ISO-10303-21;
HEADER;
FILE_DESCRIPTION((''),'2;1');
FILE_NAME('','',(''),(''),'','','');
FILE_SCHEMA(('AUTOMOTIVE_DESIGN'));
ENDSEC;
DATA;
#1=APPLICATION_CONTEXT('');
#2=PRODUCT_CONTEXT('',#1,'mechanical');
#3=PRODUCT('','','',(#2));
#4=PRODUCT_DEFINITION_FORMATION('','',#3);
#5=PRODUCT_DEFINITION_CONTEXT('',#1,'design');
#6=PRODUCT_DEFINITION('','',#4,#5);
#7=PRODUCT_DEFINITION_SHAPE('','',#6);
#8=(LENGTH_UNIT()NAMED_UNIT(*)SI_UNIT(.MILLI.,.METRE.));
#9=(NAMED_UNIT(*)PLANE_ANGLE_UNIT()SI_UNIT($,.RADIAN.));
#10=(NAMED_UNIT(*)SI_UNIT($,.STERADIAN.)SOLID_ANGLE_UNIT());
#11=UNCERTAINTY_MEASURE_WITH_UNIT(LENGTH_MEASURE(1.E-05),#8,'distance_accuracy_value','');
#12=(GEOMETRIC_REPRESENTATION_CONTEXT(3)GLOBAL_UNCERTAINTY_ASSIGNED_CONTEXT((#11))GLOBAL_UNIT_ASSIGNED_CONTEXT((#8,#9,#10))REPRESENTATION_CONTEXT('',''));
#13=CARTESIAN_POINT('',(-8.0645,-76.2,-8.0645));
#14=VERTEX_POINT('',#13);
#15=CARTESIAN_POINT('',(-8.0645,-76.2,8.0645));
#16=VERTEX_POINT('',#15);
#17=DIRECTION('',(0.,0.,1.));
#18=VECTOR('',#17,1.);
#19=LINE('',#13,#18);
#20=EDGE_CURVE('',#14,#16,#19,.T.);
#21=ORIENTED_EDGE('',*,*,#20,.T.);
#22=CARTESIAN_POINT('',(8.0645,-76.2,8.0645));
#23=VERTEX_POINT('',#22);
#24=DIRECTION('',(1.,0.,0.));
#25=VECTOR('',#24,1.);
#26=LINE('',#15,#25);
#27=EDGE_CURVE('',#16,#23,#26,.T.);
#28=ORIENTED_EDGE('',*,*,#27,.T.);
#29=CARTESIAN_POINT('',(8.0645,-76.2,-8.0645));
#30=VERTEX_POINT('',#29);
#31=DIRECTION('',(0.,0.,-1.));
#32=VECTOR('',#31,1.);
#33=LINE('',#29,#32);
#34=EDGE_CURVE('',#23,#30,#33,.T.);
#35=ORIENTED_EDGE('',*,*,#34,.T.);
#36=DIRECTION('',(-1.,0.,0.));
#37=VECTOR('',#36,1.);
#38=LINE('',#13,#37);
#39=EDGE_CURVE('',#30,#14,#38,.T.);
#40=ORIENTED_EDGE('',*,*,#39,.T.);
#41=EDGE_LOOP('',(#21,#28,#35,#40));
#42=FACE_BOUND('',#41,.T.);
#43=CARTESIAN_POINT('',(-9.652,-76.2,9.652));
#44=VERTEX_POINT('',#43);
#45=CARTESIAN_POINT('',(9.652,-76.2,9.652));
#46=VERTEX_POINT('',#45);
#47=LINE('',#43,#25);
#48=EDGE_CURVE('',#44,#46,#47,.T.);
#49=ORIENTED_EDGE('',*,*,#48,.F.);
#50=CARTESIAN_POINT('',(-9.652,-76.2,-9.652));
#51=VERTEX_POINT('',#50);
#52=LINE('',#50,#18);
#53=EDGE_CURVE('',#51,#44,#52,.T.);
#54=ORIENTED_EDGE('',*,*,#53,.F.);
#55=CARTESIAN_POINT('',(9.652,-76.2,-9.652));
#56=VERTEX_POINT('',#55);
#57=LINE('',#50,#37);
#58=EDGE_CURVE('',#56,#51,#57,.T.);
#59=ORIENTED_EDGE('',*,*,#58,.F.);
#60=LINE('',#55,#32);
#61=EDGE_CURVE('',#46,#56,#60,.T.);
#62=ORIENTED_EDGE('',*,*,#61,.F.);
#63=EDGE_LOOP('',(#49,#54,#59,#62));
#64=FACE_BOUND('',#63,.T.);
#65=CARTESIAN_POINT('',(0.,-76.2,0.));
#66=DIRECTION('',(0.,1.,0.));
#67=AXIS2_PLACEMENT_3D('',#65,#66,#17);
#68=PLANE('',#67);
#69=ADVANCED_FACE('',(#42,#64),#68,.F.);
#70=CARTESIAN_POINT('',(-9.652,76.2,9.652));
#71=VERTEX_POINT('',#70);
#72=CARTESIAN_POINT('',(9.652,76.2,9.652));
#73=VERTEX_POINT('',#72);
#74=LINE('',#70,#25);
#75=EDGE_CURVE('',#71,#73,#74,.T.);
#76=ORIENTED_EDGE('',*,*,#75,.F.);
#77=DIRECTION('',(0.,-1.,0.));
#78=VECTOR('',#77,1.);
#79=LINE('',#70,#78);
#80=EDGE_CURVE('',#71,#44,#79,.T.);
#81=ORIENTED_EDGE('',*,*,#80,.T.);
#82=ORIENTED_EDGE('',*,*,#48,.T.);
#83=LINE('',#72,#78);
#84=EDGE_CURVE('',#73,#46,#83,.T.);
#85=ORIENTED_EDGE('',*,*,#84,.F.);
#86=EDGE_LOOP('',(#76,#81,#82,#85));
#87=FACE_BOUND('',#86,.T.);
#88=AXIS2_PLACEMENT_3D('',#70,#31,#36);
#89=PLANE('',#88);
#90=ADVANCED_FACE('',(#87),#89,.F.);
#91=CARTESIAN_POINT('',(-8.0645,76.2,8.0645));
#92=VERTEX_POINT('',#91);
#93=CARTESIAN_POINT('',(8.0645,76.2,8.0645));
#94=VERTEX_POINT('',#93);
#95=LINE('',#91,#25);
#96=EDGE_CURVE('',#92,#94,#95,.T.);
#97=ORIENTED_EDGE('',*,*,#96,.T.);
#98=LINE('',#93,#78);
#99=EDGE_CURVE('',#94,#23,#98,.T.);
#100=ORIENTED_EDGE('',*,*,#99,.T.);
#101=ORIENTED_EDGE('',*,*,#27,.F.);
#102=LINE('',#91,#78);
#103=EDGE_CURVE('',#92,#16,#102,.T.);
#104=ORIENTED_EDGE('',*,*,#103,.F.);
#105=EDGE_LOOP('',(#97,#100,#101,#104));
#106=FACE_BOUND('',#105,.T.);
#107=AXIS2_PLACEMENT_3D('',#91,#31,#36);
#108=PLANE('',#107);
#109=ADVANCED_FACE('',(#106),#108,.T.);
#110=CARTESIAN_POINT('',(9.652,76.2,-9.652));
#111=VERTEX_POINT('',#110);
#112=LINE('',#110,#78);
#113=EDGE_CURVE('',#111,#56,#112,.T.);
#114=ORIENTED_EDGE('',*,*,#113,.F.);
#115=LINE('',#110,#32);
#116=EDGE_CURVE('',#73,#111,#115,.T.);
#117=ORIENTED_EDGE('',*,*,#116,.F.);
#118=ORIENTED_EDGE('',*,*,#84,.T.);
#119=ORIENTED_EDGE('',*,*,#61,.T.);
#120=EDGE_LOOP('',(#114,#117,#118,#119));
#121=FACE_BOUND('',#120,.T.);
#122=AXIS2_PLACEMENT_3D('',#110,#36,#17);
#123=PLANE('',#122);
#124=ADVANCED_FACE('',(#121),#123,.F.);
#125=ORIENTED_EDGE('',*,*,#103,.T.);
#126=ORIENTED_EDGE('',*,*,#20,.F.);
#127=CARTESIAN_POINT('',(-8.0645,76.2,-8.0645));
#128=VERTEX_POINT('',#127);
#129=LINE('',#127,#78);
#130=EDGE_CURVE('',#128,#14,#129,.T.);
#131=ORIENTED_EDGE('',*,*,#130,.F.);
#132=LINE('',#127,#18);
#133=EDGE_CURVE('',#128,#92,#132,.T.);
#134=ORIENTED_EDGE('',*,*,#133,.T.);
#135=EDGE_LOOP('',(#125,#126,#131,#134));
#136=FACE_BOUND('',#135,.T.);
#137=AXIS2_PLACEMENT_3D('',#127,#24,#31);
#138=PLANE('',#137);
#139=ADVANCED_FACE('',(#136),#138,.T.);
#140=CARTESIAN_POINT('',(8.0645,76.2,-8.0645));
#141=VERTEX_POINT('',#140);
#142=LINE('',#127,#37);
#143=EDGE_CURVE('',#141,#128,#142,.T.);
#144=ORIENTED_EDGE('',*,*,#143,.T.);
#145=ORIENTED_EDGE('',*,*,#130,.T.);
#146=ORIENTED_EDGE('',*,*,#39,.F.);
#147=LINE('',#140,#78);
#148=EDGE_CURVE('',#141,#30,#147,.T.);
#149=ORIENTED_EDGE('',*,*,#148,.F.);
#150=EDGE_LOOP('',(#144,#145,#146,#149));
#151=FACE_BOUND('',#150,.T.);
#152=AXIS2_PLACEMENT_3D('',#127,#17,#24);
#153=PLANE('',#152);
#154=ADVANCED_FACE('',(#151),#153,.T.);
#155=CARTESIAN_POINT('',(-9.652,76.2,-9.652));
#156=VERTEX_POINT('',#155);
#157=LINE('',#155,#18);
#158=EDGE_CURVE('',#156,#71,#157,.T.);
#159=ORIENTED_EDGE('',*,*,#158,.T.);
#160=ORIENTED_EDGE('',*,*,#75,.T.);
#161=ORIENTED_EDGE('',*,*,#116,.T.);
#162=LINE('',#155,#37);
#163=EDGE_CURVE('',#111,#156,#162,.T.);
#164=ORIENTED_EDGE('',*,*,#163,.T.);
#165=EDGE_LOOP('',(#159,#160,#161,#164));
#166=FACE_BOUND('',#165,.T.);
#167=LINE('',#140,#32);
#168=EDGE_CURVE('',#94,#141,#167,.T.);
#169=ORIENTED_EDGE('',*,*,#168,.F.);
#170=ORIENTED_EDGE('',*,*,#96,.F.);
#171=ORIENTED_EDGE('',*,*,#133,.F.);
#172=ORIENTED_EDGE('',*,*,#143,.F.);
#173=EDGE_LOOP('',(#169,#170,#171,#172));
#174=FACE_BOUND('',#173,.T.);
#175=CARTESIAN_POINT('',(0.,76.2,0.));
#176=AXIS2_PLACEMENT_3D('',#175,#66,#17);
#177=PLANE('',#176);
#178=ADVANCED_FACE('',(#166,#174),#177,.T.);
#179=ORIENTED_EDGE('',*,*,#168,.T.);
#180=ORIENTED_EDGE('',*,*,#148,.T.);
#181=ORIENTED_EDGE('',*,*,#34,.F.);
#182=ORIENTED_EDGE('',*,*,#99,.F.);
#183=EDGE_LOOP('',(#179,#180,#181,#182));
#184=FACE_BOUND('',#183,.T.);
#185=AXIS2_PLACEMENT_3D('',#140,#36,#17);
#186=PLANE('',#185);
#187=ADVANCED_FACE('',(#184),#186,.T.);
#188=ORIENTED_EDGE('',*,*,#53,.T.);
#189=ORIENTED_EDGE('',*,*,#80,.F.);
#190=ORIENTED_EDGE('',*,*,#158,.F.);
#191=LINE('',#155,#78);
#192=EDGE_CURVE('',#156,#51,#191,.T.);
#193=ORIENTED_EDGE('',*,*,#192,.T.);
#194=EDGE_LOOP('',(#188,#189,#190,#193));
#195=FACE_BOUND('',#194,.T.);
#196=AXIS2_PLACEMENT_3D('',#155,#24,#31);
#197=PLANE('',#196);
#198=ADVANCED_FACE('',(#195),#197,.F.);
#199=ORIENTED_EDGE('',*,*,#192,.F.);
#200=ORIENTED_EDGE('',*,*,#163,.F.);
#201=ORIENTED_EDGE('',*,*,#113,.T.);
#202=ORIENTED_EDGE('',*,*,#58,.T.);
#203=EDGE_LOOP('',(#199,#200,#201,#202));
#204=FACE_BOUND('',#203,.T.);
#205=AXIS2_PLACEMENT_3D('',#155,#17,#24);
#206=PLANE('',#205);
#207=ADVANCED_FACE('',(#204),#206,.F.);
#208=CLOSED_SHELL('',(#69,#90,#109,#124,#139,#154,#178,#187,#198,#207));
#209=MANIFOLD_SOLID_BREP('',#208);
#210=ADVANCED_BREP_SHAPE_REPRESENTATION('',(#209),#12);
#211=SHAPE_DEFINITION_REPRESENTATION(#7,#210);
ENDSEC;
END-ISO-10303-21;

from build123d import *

# Parameters (mm, degrees)
SKETCH1_W           = 19.304
SKETCH1_H           = 19.304
SKETCH1_W_2         = 16.129
SKETCH1_H_2         = 16.129
BOSS_EXTRUDE1_DEPTH = 76.2


with BuildPart() as part:
    # Sketch1 → Boss-Extrude1 (new, symmetric)
    with BuildSketch(Plane(origin=(0, 0, 0), x_dir=(1, 0, 0), z_dir=(0, 1, 0))):
        Rectangle(SKETCH1_W, SKETCH1_H)
        Rectangle(SKETCH1_W_2, SKETCH1_H_2, mode=Mode.SUBTRACT)
    extrude(amount=BOSS_EXTRUDE1_DEPTH, both=True)


solid = part.part
